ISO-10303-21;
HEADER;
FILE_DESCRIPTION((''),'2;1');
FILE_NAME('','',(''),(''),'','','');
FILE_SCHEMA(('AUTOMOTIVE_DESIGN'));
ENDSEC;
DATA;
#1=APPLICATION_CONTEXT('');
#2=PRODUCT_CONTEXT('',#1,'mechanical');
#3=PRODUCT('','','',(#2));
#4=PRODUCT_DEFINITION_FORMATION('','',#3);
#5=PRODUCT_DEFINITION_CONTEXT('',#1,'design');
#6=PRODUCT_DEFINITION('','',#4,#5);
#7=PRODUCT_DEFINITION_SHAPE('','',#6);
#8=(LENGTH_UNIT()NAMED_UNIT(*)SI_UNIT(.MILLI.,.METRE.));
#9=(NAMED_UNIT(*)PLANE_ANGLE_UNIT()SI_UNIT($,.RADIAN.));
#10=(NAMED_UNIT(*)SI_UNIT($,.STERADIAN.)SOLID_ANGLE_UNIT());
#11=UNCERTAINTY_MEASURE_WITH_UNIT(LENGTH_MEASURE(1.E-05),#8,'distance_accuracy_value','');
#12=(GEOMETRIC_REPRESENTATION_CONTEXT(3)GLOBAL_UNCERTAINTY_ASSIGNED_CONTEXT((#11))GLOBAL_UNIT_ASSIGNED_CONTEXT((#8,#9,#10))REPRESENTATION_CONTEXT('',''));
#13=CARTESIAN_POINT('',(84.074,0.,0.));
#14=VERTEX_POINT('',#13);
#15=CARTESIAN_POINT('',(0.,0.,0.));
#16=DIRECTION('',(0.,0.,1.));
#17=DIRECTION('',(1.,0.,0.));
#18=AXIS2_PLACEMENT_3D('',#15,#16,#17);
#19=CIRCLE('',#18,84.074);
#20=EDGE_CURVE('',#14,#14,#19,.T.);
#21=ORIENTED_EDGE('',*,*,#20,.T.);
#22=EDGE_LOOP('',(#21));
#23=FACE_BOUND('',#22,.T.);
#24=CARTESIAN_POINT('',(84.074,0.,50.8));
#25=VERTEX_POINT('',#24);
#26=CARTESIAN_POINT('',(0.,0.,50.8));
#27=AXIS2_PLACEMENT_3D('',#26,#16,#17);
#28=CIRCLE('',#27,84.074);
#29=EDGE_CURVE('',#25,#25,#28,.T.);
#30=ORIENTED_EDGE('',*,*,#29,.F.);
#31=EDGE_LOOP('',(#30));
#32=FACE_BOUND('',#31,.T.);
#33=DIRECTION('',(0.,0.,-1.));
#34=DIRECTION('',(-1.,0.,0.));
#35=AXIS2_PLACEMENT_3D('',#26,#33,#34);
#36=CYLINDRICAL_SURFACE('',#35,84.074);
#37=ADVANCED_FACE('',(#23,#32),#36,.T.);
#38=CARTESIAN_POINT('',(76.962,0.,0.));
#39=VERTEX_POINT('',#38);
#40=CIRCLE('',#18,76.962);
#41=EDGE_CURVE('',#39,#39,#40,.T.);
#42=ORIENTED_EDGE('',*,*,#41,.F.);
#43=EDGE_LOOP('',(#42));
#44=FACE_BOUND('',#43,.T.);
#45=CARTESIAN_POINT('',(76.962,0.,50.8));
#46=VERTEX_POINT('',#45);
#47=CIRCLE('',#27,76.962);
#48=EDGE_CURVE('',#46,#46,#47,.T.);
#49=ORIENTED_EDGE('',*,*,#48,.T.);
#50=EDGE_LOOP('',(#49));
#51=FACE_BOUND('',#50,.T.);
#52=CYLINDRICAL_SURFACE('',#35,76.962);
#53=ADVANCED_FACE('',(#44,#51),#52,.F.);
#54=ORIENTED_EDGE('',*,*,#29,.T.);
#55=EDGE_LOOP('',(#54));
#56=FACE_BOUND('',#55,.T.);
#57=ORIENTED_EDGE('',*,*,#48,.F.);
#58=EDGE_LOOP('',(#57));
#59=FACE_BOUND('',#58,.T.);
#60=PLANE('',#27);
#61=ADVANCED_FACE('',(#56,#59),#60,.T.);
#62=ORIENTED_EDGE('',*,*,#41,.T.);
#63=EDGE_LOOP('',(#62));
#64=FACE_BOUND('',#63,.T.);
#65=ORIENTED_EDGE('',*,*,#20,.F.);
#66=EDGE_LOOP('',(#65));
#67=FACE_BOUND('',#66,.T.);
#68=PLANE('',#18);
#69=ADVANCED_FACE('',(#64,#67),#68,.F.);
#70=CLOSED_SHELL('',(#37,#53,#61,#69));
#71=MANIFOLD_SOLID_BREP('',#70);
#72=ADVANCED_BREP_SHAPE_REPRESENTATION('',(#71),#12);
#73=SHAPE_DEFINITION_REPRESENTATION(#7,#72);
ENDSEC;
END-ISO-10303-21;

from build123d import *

# Parameters (mm, degrees)
PIPESKETCH_R    = 84.074
PIPESKETCH_R_2  = 76.962
EXTRUSION_DEPTH = 50.8


with BuildPart() as part:
    # PipeSketch → Extrusion (new body)
    with BuildSketch(Plane.XY):
        Circle(PIPESKETCH_R)
        Circle(PIPESKETCH_R_2, mode=Mode.SUBTRACT)
    extrude(amount=EXTRUSION_DEPTH)


solid = part.part
